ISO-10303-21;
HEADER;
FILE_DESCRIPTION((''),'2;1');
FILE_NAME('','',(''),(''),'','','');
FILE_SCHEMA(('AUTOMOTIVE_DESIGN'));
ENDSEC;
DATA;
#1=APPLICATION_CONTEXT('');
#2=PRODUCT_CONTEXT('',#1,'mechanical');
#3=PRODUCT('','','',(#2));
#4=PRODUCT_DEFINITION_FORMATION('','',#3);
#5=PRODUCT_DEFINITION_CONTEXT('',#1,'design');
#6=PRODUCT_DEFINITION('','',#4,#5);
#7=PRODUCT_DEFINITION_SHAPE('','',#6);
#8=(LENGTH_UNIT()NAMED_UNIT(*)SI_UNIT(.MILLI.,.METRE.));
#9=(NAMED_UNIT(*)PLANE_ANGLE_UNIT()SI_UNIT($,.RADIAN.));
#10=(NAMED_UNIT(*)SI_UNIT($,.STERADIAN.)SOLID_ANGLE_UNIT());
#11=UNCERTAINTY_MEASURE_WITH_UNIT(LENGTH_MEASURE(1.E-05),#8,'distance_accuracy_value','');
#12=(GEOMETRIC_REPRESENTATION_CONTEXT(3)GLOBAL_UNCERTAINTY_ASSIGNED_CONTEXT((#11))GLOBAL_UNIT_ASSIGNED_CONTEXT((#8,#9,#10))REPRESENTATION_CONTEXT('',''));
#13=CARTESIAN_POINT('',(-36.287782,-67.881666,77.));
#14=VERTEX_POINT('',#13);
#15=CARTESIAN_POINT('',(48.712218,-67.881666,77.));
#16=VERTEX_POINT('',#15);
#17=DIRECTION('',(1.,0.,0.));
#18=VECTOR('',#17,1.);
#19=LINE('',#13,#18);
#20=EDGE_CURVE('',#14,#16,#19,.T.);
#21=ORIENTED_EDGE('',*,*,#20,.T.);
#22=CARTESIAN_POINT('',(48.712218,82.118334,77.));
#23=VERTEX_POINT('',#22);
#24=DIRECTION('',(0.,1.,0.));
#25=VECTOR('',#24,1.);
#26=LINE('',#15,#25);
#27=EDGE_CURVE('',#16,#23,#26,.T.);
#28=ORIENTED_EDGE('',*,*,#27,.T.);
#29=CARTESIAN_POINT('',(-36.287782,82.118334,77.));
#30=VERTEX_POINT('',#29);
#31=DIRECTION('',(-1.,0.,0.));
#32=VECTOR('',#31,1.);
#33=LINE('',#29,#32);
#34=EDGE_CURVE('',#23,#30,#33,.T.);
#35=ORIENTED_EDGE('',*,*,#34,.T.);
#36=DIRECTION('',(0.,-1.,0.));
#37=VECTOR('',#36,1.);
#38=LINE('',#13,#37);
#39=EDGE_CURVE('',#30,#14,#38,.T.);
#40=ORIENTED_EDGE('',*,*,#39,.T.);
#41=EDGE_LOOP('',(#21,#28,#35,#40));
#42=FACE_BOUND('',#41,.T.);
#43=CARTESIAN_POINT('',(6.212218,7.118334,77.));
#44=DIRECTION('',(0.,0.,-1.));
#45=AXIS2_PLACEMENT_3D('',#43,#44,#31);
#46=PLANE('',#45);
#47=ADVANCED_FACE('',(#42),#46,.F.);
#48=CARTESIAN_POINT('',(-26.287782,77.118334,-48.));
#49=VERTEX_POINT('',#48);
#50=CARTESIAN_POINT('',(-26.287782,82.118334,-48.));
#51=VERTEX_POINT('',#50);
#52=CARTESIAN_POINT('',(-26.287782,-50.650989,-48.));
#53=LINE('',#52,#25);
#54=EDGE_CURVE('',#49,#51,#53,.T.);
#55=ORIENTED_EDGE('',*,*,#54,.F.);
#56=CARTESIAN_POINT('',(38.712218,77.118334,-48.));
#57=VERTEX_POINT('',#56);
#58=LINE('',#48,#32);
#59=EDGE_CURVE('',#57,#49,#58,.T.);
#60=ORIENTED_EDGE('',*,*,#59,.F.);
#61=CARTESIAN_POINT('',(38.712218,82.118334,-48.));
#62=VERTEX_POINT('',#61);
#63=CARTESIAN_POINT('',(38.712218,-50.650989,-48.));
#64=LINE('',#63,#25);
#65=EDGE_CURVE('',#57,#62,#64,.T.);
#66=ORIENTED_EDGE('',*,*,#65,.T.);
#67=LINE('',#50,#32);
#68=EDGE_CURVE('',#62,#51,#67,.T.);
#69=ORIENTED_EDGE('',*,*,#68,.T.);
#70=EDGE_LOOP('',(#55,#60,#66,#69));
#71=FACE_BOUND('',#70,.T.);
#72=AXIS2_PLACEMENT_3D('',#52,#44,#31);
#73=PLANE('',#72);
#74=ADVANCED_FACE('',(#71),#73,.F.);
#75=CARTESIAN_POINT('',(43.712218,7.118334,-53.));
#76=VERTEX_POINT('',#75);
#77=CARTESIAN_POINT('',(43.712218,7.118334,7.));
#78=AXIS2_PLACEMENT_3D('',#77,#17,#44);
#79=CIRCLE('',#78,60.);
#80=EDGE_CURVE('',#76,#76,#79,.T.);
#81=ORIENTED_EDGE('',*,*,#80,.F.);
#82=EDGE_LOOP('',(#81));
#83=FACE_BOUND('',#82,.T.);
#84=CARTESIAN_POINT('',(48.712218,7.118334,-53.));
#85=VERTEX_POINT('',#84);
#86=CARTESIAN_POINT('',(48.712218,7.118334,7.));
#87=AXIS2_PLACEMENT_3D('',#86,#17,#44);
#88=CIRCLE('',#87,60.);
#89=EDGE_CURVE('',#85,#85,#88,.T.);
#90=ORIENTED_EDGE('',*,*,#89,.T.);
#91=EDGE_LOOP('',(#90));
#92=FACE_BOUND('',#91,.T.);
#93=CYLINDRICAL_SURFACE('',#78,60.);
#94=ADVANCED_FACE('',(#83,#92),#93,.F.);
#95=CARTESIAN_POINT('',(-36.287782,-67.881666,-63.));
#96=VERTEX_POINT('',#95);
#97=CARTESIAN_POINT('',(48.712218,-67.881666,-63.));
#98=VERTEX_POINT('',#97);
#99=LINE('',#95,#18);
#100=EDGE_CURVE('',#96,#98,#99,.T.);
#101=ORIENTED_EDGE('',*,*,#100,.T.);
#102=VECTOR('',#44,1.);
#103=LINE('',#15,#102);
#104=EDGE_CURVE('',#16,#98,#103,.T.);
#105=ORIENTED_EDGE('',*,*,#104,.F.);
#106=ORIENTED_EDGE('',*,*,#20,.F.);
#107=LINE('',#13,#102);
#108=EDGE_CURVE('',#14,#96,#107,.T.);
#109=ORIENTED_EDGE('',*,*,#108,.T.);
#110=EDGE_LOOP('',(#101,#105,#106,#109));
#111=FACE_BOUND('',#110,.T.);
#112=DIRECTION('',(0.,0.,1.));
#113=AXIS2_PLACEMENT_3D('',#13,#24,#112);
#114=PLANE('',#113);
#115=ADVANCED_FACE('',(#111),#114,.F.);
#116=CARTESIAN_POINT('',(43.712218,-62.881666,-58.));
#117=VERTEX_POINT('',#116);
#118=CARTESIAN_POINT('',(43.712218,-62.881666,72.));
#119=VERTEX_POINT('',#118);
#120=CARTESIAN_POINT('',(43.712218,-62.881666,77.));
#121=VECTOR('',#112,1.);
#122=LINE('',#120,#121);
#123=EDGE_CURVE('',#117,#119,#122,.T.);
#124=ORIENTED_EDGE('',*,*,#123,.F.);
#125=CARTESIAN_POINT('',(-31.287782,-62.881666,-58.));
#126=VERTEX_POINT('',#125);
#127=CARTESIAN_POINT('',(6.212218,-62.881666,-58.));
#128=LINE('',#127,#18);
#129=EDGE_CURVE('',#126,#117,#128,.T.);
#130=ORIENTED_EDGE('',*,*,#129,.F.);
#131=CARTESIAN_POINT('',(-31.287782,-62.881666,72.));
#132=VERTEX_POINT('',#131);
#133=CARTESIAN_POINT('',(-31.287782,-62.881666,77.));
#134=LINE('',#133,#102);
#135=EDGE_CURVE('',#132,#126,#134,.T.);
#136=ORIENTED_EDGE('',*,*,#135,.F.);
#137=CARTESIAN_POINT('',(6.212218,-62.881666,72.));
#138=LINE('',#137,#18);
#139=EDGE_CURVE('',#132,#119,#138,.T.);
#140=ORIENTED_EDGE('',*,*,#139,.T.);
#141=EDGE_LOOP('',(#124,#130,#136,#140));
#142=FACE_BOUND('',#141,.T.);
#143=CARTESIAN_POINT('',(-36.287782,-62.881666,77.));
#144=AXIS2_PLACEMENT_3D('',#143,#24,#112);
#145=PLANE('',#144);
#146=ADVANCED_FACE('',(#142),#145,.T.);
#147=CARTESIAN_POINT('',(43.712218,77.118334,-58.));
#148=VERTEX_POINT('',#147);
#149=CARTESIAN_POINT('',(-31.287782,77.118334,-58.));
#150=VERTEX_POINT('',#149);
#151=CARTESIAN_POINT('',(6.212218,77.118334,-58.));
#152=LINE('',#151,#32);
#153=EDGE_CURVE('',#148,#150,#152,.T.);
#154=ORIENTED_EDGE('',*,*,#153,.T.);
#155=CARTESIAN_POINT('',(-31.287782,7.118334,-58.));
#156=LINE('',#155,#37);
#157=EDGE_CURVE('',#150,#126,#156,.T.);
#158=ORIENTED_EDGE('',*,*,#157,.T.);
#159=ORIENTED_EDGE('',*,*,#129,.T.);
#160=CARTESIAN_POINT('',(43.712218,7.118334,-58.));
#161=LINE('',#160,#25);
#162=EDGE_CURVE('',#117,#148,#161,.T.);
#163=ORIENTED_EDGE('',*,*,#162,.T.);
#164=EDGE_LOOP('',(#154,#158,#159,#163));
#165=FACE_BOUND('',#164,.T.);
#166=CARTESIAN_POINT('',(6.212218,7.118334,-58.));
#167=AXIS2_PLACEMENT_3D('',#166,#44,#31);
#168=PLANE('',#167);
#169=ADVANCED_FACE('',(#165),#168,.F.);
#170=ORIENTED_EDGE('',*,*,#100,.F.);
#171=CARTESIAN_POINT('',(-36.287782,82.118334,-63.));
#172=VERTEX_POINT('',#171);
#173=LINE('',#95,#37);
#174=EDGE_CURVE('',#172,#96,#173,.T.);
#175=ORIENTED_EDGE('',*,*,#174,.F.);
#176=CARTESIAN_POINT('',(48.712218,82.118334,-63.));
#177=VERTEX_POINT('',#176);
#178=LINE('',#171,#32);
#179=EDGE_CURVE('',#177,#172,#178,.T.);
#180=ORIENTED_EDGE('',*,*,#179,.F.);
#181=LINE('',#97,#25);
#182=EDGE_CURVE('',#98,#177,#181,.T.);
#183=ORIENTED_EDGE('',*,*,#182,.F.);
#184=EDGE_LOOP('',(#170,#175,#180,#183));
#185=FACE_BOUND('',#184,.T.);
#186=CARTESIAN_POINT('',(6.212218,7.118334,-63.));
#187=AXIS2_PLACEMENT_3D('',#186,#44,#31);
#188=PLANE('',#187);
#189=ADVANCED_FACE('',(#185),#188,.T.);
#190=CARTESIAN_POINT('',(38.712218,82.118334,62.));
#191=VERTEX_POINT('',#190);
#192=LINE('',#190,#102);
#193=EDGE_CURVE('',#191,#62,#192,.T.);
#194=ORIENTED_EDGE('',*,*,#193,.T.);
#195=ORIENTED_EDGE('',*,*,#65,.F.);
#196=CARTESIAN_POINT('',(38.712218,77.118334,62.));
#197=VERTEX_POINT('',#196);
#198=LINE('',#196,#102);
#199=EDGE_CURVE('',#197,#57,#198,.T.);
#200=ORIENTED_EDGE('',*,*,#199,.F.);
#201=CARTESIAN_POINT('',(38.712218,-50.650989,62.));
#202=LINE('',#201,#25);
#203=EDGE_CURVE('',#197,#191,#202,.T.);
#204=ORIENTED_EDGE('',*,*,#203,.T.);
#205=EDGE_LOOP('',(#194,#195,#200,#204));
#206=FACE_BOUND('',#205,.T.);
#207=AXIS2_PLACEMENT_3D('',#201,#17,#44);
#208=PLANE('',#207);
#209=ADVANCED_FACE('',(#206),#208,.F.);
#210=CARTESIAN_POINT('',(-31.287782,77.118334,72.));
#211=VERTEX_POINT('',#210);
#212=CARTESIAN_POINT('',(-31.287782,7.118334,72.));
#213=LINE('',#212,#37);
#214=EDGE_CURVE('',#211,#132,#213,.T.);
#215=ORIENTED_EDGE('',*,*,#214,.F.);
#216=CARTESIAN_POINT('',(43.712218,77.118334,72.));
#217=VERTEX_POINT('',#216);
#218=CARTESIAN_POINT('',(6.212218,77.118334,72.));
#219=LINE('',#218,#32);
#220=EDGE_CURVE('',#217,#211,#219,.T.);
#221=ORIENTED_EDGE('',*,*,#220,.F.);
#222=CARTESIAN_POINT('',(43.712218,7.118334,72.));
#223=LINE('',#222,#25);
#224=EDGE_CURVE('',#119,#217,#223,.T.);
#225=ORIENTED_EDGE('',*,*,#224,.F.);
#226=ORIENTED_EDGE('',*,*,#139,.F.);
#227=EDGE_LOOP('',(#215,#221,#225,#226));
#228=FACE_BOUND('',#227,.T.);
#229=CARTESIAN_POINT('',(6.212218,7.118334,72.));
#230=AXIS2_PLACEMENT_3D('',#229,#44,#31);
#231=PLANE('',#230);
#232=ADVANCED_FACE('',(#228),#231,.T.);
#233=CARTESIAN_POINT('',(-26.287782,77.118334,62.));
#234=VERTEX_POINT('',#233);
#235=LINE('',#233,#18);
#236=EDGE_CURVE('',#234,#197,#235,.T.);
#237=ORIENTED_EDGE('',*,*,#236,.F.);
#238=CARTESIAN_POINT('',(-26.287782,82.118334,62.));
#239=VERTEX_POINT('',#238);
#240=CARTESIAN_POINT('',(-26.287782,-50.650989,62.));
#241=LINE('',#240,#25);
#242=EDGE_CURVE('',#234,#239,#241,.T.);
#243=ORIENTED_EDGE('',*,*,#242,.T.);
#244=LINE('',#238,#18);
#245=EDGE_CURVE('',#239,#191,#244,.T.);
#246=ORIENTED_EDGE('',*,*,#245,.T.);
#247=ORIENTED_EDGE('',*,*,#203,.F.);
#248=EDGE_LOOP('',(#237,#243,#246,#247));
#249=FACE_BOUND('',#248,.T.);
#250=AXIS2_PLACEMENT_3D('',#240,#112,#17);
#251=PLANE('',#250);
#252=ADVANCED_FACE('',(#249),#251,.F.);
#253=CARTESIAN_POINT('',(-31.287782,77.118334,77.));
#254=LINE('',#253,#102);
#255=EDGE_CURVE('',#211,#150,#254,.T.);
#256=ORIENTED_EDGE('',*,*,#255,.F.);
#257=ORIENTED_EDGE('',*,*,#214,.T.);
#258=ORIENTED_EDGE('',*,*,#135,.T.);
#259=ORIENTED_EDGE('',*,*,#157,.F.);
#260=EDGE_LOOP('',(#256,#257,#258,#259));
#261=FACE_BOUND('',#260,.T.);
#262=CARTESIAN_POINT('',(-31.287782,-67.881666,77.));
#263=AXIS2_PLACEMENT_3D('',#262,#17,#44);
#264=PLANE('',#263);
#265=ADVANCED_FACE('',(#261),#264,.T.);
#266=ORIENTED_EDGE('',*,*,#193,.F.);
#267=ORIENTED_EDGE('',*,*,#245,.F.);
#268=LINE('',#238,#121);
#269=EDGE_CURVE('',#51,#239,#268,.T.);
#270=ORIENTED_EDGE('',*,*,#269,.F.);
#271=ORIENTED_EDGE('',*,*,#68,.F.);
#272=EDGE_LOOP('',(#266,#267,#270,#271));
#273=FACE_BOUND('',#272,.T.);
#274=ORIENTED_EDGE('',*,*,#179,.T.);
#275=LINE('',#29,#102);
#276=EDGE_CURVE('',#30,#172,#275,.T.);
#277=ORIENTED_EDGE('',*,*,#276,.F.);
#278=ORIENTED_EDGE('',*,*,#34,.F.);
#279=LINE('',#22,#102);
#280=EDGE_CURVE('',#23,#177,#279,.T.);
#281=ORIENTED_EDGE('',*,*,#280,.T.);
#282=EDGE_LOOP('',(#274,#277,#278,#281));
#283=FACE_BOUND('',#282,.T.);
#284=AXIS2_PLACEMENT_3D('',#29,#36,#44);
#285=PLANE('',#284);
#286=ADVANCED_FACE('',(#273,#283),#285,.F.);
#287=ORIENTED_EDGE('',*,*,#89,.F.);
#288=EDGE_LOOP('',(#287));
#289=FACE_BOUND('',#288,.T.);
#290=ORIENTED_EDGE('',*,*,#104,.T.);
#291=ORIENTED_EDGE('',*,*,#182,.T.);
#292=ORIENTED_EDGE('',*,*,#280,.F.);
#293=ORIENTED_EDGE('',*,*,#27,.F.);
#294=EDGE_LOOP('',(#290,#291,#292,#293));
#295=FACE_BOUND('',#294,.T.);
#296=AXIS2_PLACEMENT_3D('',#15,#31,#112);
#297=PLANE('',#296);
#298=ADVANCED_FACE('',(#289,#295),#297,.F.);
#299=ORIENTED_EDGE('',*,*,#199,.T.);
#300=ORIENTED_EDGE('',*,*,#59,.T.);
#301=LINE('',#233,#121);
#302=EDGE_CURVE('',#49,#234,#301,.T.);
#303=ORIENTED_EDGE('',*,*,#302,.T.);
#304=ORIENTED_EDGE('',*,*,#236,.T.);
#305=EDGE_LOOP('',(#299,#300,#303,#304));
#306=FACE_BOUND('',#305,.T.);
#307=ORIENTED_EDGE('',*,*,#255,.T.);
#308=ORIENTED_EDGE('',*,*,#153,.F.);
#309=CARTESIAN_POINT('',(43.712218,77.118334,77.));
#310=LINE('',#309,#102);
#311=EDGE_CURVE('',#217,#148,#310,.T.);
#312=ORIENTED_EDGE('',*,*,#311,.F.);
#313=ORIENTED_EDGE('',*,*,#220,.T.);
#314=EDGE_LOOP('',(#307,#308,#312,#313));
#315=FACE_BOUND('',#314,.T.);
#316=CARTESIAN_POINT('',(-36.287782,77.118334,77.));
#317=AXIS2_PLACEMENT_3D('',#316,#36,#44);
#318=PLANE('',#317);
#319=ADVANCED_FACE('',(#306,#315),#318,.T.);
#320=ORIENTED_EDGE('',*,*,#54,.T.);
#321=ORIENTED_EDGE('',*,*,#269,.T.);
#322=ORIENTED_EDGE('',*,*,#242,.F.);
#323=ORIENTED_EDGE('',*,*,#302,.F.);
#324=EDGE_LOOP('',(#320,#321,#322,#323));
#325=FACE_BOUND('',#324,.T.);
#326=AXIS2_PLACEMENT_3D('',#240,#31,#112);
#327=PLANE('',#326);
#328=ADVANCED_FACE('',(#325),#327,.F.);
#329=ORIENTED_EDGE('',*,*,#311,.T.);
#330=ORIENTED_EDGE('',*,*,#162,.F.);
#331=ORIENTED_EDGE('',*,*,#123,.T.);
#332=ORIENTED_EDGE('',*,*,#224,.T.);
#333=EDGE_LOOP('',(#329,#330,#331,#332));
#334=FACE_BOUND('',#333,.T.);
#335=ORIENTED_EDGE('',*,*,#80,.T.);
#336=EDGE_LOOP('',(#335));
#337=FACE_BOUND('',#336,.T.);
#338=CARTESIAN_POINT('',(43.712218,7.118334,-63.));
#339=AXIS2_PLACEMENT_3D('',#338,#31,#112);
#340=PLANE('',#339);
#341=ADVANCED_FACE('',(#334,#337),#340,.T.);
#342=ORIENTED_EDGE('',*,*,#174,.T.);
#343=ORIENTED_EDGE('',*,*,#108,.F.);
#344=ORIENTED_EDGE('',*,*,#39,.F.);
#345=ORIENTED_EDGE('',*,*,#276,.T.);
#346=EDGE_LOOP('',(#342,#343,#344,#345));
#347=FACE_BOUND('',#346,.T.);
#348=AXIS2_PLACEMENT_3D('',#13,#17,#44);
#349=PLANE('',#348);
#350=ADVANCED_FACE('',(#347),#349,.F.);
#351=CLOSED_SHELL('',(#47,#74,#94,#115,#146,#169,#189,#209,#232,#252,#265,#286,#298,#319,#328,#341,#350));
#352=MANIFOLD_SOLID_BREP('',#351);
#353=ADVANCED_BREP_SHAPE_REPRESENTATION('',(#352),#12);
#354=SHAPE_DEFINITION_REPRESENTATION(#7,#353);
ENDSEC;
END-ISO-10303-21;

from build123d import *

# Parameters (mm, degrees)
SKETCH1_W           = 8.5
SKETCH1_H           = 15
BOSS_EXTRUDE1_DEPTH = 14
SHELL3_T            = -0.5
SKETCH2_W           = 14
SKETCH2_H           = 15
SKETCH2_R           = 6
BOSS_EXTRUDE2_DEPTH = 0.5
SKETCH3_W           = 6.5
SKETCH3_H           = 11
CUT_EXTRUDE1_DEPTH  = 0.5
SCALE1_SCALE        = 10


with BuildPart() as part:
    # Sketch1 → Boss-Extrude1 (new body)
    with BuildSketch(Plane.XY):
        Rectangle(SKETCH1_W, SKETCH1_H)
    extrude(amount=BOSS_EXTRUDE1_DEPTH)

    # Shell3
    shell3_openings = [part.faces().sort_by_distance(p)[0] for p in [
        (4.25, 0, 7),
    ]]
    offset(amount=SHELL3_T, openings=shell3_openings, kind=Kind.INTERSECTION)

    # Sketch2 → Boss-Extrude2 (add)
    with BuildSketch(Plane(origin=(4.25, 0, 0), x_dir=(0, 0, -1), z_dir=(1, 0, 0))):
        with Locations((-7, 0)):
            Rectangle(SKETCH2_W, SKETCH2_H)
        with Locations((-7, 0)):
            Circle(SKETCH2_R, mode=Mode.SUBTRACT)
    extrude(amount=-BOSS_EXTRUDE2_DEPTH)

    # Sketch3 → Cut-Extrude1 (cut)
    with BuildSketch(Plane(origin=(0, 7.5, 0), x_dir=(1, 0, 0), z_dir=(0, 1, 0))):
        with Locations((0, -7)):
            Rectangle(SKETCH3_W, SKETCH3_H)
    extrude(amount=-CUT_EXTRUDE1_DEPTH, mode=Mode.SUBTRACT)


with BuildPart() as part_1:
    # Scale1: scaled about (-0.690246419, -0.790925988, 7)
    add(part.part.scale(SCALE1_SCALE).moved(Location((6.212217771, 7.118333892, -63))))


solid = part_1.part
